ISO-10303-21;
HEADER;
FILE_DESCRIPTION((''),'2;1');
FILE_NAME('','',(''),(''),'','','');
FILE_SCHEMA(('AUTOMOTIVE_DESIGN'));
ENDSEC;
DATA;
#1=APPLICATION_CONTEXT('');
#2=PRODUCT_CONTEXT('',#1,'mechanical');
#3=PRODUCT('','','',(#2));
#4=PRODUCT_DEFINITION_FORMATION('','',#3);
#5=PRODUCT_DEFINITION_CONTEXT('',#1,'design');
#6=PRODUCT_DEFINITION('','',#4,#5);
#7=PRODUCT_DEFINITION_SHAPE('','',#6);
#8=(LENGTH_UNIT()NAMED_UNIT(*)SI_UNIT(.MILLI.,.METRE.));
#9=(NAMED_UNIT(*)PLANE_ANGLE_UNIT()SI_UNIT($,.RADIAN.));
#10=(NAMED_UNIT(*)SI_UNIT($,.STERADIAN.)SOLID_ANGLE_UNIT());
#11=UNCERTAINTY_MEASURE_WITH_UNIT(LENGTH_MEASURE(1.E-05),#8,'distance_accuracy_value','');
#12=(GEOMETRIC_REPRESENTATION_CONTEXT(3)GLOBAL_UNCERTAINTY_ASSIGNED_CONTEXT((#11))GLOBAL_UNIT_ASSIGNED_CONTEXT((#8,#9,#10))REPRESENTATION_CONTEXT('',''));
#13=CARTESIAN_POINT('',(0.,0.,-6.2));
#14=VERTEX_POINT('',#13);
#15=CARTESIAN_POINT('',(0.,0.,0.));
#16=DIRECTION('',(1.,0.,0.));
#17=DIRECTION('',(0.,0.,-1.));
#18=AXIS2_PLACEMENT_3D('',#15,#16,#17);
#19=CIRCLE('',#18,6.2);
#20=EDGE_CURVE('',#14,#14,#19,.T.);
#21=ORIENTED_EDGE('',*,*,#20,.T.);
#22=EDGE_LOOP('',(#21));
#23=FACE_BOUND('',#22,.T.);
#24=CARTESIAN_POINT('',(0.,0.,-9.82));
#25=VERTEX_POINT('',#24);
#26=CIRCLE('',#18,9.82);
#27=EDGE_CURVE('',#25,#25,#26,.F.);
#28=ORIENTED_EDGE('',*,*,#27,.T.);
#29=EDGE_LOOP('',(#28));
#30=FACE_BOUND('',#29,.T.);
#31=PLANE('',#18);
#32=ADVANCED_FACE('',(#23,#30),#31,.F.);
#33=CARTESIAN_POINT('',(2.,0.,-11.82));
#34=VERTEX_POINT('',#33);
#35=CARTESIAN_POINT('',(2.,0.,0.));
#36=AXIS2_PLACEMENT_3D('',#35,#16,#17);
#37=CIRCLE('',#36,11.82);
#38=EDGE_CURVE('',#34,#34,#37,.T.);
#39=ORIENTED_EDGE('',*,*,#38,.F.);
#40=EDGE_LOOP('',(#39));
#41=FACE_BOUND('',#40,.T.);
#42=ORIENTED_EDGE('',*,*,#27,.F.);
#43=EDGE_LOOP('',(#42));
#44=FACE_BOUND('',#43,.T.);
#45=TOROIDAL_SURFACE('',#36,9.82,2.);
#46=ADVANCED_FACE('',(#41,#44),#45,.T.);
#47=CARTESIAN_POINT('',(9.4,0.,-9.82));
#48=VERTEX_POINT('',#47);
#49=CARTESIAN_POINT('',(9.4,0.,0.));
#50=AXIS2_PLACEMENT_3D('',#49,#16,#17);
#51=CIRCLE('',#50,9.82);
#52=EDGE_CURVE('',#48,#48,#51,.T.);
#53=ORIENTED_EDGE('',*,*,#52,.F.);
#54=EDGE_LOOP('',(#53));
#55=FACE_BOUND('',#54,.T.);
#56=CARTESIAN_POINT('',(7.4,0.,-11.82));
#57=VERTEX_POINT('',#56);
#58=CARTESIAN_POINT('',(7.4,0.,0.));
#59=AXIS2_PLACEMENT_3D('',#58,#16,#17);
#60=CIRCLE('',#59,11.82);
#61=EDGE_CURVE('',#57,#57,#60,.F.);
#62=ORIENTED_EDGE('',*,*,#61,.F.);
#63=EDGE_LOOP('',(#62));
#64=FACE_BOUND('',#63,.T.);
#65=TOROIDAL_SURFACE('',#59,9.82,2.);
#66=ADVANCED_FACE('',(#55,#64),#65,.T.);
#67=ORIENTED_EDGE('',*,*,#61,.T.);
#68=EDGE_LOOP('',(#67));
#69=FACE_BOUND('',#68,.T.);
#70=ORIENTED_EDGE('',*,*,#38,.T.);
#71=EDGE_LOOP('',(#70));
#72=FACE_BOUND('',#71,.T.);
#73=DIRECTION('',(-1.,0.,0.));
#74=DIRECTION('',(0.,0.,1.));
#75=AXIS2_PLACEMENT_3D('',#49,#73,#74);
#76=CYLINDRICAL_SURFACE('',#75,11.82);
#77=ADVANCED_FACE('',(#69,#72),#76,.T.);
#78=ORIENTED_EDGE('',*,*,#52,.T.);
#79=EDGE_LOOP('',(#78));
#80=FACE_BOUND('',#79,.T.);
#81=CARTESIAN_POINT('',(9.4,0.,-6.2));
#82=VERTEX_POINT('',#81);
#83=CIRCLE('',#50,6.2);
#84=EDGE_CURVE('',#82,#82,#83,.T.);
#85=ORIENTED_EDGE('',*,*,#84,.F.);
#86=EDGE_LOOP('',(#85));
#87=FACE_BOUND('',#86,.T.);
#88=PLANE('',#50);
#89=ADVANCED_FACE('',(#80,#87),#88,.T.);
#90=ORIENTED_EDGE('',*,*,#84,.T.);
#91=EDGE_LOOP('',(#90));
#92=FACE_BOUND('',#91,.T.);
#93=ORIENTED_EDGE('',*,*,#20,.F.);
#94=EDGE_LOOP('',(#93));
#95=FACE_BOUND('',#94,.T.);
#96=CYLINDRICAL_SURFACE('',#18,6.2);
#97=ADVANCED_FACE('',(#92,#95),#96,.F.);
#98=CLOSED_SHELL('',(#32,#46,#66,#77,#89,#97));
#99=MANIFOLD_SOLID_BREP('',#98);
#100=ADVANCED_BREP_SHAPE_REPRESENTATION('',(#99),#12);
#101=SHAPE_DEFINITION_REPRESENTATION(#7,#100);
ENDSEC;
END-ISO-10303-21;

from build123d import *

# Parameters (mm, degrees)
ESQUISSE1_R             = 11.82
BOSS_EXTRU_1_DEPTH      = 9.4
ESQUISSE2_R             = 6.2
ENL_V_MAT_EXTRU_1_DEPTH = 20.177716235
CONG_3_R                = 2


with BuildPart() as part:
    # Esquisse1 → Boss.-Extru.1 (new body)
    with BuildSketch(Plane(origin=(0, 0, 0), x_dir=(0, 0, -1), z_dir=(1, 0, 0))):
        Circle(ESQUISSE1_R)
    extrude(amount=BOSS_EXTRU_1_DEPTH)

    # Esquisse2 → Enlèv. mat.-Extru.1 (cut, through all)
    with BuildSketch(Plane(origin=(9.4, 0, 0), x_dir=(0, 0, -1), z_dir=(1, 0, 0))):
        Circle(ESQUISSE2_R)
    extrude(amount=-ENL_V_MAT_EXTRU_1_DEPTH, mode=Mode.SUBTRACT)

    # Congé3
    cong_3_edges = [part.edges().sort_by_distance(p)[0] for p in [
        (0, 0, 11.82),
        (9.4, 0, 11.82),
    ]]
    fillet(cong_3_edges, radius=CONG_3_R)


solid = part.part
